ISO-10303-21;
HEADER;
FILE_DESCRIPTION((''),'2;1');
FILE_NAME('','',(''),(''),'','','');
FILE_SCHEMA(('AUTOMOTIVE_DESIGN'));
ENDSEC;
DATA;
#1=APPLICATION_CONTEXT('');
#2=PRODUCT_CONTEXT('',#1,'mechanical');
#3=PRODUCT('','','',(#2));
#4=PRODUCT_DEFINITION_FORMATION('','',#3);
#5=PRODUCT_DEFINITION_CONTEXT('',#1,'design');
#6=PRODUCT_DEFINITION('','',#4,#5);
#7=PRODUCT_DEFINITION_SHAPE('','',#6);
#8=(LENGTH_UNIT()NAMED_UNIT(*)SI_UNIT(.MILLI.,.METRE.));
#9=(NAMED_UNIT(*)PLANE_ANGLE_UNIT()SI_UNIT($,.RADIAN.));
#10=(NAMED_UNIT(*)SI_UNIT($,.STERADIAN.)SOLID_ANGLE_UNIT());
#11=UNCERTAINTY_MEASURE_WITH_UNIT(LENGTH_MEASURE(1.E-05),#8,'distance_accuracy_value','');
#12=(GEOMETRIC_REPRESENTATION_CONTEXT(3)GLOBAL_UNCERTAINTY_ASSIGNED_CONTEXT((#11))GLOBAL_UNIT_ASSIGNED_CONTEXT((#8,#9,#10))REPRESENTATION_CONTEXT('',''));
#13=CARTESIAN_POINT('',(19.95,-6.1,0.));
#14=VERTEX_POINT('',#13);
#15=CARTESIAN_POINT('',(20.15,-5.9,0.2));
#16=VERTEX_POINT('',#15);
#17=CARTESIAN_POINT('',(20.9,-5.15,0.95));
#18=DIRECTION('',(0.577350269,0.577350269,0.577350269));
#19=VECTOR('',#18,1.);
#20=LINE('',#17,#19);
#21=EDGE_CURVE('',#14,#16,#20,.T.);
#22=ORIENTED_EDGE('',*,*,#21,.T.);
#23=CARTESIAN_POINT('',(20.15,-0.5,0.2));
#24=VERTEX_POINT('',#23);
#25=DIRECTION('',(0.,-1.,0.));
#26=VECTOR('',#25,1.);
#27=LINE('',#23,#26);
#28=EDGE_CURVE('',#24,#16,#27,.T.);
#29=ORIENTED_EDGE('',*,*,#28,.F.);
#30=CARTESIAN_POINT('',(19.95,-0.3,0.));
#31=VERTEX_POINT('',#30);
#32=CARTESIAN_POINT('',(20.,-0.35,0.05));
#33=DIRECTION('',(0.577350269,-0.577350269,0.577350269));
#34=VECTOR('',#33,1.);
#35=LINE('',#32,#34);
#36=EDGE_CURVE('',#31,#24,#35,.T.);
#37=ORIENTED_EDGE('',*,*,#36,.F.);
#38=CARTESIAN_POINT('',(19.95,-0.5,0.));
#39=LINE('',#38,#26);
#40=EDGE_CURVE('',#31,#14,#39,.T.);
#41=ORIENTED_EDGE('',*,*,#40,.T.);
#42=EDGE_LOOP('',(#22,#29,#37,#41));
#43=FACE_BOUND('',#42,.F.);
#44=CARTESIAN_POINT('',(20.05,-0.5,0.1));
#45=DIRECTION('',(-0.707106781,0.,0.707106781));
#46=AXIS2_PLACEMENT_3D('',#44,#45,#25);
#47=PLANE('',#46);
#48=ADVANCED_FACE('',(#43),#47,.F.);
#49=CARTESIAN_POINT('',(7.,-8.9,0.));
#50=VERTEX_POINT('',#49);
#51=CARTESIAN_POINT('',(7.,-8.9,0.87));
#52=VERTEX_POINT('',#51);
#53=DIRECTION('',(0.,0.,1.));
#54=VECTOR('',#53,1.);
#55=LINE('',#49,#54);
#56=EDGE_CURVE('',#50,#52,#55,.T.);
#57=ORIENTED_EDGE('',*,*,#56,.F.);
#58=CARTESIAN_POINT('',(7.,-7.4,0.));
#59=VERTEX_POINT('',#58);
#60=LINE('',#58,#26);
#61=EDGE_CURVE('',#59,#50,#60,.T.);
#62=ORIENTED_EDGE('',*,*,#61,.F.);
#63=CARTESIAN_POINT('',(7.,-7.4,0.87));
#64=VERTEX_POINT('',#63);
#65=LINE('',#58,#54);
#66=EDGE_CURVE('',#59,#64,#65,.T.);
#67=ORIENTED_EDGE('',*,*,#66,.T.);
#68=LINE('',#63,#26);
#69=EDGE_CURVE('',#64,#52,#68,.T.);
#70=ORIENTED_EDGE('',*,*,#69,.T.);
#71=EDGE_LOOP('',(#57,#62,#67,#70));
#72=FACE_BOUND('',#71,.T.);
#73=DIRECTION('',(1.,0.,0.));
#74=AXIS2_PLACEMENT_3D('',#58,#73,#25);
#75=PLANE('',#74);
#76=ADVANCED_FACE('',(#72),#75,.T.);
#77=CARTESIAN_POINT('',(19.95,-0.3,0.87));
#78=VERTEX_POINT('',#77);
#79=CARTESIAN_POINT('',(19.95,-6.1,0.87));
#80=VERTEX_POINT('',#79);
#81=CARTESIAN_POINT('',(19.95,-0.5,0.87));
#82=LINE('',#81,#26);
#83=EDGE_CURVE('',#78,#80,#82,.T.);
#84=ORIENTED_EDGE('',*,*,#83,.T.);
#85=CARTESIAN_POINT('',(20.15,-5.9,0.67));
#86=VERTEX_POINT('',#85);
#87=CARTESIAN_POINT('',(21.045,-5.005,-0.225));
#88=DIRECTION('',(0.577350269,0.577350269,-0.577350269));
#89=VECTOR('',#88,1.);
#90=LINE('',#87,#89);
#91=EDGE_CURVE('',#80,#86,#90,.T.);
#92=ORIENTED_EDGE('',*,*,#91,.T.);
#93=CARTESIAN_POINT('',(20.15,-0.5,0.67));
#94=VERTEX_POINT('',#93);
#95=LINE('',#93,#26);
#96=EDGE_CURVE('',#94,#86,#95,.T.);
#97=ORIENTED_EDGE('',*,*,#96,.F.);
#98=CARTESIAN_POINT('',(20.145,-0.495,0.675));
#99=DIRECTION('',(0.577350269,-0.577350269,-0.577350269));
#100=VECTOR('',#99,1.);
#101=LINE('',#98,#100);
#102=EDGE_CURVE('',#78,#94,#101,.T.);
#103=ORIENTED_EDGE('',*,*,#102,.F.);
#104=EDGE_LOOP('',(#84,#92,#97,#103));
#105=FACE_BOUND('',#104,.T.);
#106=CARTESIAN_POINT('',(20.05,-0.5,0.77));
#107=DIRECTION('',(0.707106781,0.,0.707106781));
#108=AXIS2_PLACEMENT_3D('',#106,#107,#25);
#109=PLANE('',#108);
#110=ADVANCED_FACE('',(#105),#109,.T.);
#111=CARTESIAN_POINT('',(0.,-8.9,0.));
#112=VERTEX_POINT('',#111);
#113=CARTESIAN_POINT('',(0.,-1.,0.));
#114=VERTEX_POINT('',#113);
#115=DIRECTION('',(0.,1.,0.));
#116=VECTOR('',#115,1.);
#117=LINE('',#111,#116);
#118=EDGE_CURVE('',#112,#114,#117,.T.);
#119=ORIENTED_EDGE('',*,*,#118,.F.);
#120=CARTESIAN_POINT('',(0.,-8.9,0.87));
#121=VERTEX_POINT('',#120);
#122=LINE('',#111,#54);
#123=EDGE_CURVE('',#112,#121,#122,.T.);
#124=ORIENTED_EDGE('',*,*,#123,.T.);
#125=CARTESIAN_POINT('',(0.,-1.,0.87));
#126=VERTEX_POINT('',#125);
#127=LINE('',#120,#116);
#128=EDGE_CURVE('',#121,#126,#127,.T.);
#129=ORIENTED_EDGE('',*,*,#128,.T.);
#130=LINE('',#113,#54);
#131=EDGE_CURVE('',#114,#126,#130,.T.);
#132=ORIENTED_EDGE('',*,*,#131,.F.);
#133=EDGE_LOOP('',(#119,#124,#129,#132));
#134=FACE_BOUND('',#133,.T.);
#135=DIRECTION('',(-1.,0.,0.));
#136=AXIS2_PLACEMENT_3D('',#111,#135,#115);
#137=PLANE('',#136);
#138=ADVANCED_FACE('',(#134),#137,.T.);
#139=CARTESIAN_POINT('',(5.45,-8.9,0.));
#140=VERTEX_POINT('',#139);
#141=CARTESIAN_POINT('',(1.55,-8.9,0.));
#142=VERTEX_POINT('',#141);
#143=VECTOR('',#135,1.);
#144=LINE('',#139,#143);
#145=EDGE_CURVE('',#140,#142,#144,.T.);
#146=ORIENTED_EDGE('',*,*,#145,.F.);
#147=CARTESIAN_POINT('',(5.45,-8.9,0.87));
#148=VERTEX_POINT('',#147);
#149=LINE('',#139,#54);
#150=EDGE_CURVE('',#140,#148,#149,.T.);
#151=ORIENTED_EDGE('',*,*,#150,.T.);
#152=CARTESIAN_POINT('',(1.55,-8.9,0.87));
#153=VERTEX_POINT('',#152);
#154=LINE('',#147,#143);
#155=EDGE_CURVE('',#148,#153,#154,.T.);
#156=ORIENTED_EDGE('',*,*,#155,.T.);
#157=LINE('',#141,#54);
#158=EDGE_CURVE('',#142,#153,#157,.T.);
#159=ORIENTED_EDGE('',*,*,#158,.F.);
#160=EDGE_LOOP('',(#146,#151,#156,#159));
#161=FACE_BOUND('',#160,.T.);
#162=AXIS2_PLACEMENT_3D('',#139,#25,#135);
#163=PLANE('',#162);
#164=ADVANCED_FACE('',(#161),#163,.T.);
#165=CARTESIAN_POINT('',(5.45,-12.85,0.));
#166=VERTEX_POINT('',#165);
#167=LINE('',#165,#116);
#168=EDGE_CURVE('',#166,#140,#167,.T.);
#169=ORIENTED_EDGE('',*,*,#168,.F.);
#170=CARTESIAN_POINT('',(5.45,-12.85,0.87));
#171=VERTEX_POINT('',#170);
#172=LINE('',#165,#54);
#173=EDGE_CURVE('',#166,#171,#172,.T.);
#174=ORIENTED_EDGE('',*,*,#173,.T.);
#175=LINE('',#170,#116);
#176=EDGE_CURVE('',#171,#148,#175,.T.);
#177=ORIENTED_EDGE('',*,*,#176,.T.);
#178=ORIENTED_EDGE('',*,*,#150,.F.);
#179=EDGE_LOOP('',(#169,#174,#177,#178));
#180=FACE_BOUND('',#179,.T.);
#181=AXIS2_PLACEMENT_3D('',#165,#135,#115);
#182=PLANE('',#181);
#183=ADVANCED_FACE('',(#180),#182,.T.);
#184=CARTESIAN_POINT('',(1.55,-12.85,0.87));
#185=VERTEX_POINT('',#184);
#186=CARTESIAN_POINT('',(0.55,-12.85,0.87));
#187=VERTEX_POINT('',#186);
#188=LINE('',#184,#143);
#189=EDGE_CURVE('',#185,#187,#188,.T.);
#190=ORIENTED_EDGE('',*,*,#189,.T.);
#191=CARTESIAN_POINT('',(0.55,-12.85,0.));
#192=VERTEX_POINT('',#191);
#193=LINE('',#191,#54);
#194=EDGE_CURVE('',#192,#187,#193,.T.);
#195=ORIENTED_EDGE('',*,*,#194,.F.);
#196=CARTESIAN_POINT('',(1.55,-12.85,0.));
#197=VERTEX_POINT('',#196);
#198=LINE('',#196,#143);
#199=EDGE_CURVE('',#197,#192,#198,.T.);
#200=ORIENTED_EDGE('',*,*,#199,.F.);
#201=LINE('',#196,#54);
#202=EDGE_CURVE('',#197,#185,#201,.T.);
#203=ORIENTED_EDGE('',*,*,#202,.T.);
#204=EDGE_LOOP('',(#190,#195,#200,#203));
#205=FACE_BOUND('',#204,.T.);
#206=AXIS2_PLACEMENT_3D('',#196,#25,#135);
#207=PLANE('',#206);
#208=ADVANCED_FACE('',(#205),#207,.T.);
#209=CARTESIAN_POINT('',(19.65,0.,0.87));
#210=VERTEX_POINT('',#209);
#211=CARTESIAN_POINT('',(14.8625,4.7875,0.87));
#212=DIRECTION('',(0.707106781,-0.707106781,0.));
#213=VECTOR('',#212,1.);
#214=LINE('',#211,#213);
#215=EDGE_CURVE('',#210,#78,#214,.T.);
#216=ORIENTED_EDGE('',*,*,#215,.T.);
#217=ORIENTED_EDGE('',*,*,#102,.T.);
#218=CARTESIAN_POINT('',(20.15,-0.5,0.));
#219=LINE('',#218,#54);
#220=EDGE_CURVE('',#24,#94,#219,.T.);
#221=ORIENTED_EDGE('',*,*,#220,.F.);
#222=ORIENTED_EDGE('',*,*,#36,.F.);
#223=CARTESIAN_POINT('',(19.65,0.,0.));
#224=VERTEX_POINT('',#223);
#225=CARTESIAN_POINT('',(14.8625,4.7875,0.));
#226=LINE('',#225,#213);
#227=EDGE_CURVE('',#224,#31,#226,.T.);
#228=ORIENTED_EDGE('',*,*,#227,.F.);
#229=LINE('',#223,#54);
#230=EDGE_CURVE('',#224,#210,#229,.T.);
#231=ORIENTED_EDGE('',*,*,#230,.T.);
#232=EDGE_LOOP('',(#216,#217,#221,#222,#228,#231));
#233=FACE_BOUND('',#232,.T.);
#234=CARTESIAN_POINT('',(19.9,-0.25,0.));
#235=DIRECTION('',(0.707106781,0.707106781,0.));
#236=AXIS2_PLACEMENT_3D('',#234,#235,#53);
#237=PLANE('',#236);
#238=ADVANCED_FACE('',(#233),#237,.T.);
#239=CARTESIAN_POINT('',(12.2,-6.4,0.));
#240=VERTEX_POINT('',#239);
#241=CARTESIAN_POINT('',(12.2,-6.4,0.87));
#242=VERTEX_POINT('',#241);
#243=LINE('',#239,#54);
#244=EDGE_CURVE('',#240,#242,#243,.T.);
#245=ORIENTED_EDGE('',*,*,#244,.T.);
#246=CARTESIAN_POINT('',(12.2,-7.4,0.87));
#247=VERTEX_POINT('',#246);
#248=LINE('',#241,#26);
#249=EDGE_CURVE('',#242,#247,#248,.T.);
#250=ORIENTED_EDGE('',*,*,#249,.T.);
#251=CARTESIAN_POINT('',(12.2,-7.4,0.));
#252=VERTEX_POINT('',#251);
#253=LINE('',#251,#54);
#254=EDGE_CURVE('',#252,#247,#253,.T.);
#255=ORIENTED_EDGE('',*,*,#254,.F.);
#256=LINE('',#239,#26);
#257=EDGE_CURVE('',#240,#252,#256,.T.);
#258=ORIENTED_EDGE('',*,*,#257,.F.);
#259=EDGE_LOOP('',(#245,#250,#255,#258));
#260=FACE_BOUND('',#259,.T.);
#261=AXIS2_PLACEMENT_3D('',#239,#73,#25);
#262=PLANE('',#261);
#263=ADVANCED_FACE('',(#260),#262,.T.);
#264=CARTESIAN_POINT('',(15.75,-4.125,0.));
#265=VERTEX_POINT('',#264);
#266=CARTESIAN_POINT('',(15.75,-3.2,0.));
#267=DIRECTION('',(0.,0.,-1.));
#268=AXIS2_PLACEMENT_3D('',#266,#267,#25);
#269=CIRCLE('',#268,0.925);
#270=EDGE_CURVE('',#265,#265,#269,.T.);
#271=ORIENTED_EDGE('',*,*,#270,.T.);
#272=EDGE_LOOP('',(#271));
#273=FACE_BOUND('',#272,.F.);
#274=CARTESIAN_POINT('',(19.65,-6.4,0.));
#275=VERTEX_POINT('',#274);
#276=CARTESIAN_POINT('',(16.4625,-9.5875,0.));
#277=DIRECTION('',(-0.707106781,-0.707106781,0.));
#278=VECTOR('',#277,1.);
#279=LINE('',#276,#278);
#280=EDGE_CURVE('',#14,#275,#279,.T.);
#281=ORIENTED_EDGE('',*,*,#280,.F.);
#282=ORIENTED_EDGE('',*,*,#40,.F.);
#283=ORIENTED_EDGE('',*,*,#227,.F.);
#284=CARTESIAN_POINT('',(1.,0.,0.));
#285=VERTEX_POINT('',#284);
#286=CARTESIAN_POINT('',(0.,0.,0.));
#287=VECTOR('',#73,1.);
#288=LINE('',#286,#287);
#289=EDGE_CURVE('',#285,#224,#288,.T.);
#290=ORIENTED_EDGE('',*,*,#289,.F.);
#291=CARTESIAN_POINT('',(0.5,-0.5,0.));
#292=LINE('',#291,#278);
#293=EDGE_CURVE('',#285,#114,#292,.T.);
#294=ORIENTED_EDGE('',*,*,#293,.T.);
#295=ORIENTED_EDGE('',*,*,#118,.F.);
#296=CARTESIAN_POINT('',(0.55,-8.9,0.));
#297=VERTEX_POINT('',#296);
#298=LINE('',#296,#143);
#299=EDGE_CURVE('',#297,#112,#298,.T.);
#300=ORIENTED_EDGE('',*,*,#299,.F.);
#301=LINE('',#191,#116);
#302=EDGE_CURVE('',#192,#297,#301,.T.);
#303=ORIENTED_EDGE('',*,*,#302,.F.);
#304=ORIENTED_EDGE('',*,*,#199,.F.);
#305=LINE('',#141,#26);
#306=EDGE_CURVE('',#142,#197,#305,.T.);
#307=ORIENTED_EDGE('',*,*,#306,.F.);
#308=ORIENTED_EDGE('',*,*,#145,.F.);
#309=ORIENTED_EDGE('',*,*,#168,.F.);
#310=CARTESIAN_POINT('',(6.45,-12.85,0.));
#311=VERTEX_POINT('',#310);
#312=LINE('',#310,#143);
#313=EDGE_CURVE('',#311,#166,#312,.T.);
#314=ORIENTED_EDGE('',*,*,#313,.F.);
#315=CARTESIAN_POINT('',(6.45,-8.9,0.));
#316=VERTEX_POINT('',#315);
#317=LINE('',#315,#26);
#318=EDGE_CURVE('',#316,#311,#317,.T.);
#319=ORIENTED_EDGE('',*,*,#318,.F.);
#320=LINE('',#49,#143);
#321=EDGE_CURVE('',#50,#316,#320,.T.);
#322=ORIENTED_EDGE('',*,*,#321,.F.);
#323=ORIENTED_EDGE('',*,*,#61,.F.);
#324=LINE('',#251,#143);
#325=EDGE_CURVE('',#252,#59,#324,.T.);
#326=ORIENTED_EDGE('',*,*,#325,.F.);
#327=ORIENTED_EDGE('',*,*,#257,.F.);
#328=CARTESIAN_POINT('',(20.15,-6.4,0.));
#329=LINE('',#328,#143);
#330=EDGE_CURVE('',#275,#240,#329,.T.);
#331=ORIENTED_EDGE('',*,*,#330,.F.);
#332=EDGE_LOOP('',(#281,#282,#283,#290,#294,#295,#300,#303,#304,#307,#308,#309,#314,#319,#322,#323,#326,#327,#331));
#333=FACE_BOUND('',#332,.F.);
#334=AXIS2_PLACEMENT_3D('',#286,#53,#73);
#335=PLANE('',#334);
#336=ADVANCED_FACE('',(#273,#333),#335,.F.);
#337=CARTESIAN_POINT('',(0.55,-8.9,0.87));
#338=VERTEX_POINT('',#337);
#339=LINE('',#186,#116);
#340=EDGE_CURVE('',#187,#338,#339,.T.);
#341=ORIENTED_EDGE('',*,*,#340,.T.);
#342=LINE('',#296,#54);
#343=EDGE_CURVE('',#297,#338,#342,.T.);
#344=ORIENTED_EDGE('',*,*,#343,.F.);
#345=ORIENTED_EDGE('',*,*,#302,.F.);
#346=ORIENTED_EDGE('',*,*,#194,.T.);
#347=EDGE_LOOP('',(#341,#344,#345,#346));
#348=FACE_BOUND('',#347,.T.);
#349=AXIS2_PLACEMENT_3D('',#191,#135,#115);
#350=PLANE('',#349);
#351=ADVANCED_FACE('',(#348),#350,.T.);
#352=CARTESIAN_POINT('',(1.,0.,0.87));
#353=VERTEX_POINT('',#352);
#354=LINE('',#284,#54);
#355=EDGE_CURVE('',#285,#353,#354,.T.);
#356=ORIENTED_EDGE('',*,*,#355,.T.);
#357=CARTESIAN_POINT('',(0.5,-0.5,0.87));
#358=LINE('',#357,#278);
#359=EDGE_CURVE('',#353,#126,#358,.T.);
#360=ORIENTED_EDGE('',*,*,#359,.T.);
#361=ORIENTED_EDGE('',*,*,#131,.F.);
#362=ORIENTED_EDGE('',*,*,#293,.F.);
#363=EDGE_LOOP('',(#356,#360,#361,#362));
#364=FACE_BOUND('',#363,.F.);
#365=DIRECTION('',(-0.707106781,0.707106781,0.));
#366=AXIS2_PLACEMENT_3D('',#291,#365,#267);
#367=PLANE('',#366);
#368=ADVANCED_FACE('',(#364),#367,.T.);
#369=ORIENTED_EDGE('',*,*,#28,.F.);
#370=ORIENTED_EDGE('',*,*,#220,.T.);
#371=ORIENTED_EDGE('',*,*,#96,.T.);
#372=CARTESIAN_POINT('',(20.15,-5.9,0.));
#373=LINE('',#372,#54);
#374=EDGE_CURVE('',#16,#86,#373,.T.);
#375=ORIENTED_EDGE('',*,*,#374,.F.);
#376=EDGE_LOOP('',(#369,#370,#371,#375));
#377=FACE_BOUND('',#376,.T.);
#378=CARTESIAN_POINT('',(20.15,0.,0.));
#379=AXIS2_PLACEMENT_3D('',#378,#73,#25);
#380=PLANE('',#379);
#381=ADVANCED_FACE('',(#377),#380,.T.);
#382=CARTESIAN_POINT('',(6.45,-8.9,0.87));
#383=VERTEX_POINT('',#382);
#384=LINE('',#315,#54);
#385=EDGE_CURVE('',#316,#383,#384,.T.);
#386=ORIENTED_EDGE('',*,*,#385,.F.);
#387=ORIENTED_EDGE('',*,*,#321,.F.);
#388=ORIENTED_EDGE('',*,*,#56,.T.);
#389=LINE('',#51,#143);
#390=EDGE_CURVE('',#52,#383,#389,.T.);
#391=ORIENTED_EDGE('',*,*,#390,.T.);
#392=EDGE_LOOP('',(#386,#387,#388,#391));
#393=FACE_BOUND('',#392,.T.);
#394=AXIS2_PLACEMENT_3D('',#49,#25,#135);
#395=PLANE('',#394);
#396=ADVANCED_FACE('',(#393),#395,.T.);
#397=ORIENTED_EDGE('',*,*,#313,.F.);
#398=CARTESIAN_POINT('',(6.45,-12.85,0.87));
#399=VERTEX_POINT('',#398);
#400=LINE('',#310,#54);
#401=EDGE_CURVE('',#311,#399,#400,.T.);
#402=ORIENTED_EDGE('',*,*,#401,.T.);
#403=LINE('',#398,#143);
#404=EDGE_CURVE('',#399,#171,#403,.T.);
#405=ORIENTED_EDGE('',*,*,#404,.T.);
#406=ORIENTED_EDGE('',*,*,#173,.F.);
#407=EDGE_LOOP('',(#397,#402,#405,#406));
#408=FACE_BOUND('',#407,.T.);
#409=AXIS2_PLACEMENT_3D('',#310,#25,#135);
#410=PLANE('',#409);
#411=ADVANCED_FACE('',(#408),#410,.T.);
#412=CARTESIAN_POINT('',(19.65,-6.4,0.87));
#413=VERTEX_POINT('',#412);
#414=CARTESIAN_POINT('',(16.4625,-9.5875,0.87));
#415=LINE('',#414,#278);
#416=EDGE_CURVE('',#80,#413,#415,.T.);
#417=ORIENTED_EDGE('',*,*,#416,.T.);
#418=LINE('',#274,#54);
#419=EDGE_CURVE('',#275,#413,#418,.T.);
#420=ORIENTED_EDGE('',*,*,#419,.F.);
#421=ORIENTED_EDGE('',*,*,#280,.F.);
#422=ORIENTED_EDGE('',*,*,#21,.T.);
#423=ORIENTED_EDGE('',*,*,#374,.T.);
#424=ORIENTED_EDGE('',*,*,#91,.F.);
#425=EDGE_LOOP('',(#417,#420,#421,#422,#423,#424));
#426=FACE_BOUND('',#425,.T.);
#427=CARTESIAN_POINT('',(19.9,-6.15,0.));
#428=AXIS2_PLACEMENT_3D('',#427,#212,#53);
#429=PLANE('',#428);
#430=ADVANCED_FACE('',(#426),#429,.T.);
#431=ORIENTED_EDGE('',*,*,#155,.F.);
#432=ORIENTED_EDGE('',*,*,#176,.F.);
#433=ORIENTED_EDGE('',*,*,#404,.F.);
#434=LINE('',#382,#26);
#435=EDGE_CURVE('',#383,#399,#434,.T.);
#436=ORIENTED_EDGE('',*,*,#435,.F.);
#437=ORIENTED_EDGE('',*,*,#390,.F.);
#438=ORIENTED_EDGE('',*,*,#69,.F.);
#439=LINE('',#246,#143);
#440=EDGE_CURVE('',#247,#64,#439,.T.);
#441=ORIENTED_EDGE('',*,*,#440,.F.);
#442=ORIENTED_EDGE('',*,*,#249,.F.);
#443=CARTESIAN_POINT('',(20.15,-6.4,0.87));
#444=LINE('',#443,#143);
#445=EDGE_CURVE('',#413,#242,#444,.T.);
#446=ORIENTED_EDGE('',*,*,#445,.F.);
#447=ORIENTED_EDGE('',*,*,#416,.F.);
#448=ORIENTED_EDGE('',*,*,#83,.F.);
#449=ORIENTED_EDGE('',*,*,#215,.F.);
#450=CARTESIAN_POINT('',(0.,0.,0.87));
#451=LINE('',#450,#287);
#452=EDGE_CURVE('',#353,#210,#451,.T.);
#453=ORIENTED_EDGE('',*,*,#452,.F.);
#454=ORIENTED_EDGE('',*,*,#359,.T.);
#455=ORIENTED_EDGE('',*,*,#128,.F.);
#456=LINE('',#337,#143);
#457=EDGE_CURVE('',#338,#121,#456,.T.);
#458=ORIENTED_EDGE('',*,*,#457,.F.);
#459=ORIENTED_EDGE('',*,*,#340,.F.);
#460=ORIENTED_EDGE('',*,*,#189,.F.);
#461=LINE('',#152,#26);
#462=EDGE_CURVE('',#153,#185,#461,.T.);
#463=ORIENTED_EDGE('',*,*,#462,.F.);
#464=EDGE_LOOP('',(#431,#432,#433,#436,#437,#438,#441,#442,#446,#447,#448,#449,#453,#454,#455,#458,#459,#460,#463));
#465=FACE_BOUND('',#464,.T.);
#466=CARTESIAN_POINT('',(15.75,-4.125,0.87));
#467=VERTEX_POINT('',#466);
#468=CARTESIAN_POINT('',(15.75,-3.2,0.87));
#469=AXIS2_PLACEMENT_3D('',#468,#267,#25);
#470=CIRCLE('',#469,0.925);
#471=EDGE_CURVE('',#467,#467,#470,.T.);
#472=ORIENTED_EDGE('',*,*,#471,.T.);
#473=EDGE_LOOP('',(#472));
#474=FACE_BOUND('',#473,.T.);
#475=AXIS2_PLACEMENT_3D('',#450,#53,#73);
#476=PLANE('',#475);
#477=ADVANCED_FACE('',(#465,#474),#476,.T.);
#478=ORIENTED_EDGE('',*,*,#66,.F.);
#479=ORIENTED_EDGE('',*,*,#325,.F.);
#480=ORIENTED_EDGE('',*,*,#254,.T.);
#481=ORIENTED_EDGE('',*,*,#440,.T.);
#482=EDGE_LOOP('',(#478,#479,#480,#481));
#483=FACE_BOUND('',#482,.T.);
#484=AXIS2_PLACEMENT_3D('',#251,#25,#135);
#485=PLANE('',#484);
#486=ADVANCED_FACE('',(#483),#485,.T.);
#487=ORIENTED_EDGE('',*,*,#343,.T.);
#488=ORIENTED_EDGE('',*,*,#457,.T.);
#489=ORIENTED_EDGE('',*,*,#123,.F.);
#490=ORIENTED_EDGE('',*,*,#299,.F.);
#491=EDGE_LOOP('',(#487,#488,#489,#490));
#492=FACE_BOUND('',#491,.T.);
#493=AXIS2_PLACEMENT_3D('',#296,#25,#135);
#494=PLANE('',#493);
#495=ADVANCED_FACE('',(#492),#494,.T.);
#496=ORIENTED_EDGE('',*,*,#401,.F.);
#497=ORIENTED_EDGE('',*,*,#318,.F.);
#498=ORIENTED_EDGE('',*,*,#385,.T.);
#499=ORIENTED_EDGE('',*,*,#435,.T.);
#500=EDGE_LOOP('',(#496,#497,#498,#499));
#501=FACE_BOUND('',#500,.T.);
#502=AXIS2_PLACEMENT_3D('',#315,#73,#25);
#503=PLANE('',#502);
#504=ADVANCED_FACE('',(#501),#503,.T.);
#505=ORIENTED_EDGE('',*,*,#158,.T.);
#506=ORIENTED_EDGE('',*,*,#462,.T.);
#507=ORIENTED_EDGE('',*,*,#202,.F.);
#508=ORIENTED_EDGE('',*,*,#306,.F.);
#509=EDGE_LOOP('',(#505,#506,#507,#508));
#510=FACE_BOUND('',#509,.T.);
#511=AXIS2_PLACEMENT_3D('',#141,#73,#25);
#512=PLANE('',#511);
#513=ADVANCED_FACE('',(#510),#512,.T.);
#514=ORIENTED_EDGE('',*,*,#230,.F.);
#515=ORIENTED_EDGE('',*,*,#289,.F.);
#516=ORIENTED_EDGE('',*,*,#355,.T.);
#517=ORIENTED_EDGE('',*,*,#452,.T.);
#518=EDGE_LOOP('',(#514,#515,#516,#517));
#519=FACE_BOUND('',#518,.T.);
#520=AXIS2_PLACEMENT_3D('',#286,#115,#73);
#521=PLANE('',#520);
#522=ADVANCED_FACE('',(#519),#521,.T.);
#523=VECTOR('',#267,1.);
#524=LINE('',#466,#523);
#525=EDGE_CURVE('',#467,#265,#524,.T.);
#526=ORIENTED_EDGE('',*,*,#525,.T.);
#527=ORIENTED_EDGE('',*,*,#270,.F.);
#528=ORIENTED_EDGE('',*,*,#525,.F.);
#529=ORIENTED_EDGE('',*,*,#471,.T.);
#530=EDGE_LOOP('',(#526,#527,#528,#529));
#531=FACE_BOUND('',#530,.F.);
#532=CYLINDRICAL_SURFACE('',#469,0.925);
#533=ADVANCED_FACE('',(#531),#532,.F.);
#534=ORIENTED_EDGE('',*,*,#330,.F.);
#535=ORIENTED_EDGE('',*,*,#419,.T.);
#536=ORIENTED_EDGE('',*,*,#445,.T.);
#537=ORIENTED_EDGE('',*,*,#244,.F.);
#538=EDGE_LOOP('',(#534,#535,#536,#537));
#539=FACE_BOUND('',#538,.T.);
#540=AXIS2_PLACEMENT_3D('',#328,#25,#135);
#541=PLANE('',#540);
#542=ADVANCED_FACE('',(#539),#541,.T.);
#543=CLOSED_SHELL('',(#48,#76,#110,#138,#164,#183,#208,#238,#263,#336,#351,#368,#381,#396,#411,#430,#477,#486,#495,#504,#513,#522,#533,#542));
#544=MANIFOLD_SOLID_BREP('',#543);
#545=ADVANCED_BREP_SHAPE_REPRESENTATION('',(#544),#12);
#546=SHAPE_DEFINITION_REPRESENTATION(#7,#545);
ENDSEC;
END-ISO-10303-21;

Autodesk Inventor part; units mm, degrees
ref_plane "YZ Plane" through (0, 0, 0) normal (1, 0, 0) x (0, 1, 0)
ref_plane "XZ Plane" through (0, 0, 0) normal (0, 1, 0) x (-1, 0, 0)
ref_plane "XY Plane" through (0, 0, 0) normal (0, 0, 1) x (1, 0, 0)
sketch "Sketch1" plane through (0, 0, 0) normal (0, 0, 1) x (1, 0, 0)
  line L0 (0, -8.9) -> (0, 0)
  line L1 (0, 0) -> (20.15, 0)
  line L2 (20.15, 0) -> (20.15, -6.4)
  line L3 (20.15, -6.4) -> (12.2, -6.4)
  line L4 (12.2, -6.4) -> (12.2, -7.4)
  line L5 (12.2, -7.4) -> (7, -7.4)
  line L6 (7, -7.4) -> (7, -8.9)
  line L7 (7, -8.9) -> (6.45, -8.9)
  line L8 (6.45, -8.9) -> (6.45, -12.85)
  line L9 (6.45, -12.85) -> (5.45, -12.85)
  line L10 (5.45, -12.85) -> (5.45, -8.9)
  line L11 (5.45, -8.9) -> (1.55, -8.9)
  line L12 (1.55, -8.9) -> (1.55, -12.85)
  line L13 (1.55, -12.85) -> (0.55, -12.85)
  line L14 (0.55, -12.85) -> (0.55, -8.9)
  line L15 (0.55, -8.9) -> (0, -8.9)
  dimension "d0" = 20.15
  dimension "d1" = 1
  dimension "d2" = 7
  dimension "d3" = 3.9
  dimension "d4" = 1.5
  dimension "d5" = 1
  dimension "d6" = 7.4
  dimension "d7" = 12.2
  dimension "d9" = 12.85
extrude "Extrusion1" add sketch "Sketch1" along normal blind 0.87
sketch "Sketch2" plane through (0, 0, 0.87) normal (0, 0, 1) x (1, 0, 0)
  line L0 (0, 0) -> (20.15, 0) projected
  line L1 (20.15, -6.4) -> (12.2, -6.4) projected
  line L2 (20.15, 0) -> (20.15, -6.4) projected
  line L3 (15.75, -3.2) -> (15.75, 0) construction
  line L4 (15.75, -3.2) -> (15.75, -6.4) construction
  dimension "d13" = 4.4
hole "Hole1" at (15.75, -3.2, 0.87) direction (0, 0, -1) diameter 1.85 end through all
chamfer "Chamfer1" distance 0.5 angle 45 2 edges at (20.15, -6.4, 0.435) (20.15, 0, 0.435)
chamfer "Chamfer2" distance 0.2 angle 45 2 edges at (20.15, -3.2, 0.87) (20.15, -3.2, 0)
chamfer "Chamfer3" distance 1 angle 45 1 edges at (0, 0, 0.435)
properties part number "Spike Male Terminal" material "Steel, Mild"
